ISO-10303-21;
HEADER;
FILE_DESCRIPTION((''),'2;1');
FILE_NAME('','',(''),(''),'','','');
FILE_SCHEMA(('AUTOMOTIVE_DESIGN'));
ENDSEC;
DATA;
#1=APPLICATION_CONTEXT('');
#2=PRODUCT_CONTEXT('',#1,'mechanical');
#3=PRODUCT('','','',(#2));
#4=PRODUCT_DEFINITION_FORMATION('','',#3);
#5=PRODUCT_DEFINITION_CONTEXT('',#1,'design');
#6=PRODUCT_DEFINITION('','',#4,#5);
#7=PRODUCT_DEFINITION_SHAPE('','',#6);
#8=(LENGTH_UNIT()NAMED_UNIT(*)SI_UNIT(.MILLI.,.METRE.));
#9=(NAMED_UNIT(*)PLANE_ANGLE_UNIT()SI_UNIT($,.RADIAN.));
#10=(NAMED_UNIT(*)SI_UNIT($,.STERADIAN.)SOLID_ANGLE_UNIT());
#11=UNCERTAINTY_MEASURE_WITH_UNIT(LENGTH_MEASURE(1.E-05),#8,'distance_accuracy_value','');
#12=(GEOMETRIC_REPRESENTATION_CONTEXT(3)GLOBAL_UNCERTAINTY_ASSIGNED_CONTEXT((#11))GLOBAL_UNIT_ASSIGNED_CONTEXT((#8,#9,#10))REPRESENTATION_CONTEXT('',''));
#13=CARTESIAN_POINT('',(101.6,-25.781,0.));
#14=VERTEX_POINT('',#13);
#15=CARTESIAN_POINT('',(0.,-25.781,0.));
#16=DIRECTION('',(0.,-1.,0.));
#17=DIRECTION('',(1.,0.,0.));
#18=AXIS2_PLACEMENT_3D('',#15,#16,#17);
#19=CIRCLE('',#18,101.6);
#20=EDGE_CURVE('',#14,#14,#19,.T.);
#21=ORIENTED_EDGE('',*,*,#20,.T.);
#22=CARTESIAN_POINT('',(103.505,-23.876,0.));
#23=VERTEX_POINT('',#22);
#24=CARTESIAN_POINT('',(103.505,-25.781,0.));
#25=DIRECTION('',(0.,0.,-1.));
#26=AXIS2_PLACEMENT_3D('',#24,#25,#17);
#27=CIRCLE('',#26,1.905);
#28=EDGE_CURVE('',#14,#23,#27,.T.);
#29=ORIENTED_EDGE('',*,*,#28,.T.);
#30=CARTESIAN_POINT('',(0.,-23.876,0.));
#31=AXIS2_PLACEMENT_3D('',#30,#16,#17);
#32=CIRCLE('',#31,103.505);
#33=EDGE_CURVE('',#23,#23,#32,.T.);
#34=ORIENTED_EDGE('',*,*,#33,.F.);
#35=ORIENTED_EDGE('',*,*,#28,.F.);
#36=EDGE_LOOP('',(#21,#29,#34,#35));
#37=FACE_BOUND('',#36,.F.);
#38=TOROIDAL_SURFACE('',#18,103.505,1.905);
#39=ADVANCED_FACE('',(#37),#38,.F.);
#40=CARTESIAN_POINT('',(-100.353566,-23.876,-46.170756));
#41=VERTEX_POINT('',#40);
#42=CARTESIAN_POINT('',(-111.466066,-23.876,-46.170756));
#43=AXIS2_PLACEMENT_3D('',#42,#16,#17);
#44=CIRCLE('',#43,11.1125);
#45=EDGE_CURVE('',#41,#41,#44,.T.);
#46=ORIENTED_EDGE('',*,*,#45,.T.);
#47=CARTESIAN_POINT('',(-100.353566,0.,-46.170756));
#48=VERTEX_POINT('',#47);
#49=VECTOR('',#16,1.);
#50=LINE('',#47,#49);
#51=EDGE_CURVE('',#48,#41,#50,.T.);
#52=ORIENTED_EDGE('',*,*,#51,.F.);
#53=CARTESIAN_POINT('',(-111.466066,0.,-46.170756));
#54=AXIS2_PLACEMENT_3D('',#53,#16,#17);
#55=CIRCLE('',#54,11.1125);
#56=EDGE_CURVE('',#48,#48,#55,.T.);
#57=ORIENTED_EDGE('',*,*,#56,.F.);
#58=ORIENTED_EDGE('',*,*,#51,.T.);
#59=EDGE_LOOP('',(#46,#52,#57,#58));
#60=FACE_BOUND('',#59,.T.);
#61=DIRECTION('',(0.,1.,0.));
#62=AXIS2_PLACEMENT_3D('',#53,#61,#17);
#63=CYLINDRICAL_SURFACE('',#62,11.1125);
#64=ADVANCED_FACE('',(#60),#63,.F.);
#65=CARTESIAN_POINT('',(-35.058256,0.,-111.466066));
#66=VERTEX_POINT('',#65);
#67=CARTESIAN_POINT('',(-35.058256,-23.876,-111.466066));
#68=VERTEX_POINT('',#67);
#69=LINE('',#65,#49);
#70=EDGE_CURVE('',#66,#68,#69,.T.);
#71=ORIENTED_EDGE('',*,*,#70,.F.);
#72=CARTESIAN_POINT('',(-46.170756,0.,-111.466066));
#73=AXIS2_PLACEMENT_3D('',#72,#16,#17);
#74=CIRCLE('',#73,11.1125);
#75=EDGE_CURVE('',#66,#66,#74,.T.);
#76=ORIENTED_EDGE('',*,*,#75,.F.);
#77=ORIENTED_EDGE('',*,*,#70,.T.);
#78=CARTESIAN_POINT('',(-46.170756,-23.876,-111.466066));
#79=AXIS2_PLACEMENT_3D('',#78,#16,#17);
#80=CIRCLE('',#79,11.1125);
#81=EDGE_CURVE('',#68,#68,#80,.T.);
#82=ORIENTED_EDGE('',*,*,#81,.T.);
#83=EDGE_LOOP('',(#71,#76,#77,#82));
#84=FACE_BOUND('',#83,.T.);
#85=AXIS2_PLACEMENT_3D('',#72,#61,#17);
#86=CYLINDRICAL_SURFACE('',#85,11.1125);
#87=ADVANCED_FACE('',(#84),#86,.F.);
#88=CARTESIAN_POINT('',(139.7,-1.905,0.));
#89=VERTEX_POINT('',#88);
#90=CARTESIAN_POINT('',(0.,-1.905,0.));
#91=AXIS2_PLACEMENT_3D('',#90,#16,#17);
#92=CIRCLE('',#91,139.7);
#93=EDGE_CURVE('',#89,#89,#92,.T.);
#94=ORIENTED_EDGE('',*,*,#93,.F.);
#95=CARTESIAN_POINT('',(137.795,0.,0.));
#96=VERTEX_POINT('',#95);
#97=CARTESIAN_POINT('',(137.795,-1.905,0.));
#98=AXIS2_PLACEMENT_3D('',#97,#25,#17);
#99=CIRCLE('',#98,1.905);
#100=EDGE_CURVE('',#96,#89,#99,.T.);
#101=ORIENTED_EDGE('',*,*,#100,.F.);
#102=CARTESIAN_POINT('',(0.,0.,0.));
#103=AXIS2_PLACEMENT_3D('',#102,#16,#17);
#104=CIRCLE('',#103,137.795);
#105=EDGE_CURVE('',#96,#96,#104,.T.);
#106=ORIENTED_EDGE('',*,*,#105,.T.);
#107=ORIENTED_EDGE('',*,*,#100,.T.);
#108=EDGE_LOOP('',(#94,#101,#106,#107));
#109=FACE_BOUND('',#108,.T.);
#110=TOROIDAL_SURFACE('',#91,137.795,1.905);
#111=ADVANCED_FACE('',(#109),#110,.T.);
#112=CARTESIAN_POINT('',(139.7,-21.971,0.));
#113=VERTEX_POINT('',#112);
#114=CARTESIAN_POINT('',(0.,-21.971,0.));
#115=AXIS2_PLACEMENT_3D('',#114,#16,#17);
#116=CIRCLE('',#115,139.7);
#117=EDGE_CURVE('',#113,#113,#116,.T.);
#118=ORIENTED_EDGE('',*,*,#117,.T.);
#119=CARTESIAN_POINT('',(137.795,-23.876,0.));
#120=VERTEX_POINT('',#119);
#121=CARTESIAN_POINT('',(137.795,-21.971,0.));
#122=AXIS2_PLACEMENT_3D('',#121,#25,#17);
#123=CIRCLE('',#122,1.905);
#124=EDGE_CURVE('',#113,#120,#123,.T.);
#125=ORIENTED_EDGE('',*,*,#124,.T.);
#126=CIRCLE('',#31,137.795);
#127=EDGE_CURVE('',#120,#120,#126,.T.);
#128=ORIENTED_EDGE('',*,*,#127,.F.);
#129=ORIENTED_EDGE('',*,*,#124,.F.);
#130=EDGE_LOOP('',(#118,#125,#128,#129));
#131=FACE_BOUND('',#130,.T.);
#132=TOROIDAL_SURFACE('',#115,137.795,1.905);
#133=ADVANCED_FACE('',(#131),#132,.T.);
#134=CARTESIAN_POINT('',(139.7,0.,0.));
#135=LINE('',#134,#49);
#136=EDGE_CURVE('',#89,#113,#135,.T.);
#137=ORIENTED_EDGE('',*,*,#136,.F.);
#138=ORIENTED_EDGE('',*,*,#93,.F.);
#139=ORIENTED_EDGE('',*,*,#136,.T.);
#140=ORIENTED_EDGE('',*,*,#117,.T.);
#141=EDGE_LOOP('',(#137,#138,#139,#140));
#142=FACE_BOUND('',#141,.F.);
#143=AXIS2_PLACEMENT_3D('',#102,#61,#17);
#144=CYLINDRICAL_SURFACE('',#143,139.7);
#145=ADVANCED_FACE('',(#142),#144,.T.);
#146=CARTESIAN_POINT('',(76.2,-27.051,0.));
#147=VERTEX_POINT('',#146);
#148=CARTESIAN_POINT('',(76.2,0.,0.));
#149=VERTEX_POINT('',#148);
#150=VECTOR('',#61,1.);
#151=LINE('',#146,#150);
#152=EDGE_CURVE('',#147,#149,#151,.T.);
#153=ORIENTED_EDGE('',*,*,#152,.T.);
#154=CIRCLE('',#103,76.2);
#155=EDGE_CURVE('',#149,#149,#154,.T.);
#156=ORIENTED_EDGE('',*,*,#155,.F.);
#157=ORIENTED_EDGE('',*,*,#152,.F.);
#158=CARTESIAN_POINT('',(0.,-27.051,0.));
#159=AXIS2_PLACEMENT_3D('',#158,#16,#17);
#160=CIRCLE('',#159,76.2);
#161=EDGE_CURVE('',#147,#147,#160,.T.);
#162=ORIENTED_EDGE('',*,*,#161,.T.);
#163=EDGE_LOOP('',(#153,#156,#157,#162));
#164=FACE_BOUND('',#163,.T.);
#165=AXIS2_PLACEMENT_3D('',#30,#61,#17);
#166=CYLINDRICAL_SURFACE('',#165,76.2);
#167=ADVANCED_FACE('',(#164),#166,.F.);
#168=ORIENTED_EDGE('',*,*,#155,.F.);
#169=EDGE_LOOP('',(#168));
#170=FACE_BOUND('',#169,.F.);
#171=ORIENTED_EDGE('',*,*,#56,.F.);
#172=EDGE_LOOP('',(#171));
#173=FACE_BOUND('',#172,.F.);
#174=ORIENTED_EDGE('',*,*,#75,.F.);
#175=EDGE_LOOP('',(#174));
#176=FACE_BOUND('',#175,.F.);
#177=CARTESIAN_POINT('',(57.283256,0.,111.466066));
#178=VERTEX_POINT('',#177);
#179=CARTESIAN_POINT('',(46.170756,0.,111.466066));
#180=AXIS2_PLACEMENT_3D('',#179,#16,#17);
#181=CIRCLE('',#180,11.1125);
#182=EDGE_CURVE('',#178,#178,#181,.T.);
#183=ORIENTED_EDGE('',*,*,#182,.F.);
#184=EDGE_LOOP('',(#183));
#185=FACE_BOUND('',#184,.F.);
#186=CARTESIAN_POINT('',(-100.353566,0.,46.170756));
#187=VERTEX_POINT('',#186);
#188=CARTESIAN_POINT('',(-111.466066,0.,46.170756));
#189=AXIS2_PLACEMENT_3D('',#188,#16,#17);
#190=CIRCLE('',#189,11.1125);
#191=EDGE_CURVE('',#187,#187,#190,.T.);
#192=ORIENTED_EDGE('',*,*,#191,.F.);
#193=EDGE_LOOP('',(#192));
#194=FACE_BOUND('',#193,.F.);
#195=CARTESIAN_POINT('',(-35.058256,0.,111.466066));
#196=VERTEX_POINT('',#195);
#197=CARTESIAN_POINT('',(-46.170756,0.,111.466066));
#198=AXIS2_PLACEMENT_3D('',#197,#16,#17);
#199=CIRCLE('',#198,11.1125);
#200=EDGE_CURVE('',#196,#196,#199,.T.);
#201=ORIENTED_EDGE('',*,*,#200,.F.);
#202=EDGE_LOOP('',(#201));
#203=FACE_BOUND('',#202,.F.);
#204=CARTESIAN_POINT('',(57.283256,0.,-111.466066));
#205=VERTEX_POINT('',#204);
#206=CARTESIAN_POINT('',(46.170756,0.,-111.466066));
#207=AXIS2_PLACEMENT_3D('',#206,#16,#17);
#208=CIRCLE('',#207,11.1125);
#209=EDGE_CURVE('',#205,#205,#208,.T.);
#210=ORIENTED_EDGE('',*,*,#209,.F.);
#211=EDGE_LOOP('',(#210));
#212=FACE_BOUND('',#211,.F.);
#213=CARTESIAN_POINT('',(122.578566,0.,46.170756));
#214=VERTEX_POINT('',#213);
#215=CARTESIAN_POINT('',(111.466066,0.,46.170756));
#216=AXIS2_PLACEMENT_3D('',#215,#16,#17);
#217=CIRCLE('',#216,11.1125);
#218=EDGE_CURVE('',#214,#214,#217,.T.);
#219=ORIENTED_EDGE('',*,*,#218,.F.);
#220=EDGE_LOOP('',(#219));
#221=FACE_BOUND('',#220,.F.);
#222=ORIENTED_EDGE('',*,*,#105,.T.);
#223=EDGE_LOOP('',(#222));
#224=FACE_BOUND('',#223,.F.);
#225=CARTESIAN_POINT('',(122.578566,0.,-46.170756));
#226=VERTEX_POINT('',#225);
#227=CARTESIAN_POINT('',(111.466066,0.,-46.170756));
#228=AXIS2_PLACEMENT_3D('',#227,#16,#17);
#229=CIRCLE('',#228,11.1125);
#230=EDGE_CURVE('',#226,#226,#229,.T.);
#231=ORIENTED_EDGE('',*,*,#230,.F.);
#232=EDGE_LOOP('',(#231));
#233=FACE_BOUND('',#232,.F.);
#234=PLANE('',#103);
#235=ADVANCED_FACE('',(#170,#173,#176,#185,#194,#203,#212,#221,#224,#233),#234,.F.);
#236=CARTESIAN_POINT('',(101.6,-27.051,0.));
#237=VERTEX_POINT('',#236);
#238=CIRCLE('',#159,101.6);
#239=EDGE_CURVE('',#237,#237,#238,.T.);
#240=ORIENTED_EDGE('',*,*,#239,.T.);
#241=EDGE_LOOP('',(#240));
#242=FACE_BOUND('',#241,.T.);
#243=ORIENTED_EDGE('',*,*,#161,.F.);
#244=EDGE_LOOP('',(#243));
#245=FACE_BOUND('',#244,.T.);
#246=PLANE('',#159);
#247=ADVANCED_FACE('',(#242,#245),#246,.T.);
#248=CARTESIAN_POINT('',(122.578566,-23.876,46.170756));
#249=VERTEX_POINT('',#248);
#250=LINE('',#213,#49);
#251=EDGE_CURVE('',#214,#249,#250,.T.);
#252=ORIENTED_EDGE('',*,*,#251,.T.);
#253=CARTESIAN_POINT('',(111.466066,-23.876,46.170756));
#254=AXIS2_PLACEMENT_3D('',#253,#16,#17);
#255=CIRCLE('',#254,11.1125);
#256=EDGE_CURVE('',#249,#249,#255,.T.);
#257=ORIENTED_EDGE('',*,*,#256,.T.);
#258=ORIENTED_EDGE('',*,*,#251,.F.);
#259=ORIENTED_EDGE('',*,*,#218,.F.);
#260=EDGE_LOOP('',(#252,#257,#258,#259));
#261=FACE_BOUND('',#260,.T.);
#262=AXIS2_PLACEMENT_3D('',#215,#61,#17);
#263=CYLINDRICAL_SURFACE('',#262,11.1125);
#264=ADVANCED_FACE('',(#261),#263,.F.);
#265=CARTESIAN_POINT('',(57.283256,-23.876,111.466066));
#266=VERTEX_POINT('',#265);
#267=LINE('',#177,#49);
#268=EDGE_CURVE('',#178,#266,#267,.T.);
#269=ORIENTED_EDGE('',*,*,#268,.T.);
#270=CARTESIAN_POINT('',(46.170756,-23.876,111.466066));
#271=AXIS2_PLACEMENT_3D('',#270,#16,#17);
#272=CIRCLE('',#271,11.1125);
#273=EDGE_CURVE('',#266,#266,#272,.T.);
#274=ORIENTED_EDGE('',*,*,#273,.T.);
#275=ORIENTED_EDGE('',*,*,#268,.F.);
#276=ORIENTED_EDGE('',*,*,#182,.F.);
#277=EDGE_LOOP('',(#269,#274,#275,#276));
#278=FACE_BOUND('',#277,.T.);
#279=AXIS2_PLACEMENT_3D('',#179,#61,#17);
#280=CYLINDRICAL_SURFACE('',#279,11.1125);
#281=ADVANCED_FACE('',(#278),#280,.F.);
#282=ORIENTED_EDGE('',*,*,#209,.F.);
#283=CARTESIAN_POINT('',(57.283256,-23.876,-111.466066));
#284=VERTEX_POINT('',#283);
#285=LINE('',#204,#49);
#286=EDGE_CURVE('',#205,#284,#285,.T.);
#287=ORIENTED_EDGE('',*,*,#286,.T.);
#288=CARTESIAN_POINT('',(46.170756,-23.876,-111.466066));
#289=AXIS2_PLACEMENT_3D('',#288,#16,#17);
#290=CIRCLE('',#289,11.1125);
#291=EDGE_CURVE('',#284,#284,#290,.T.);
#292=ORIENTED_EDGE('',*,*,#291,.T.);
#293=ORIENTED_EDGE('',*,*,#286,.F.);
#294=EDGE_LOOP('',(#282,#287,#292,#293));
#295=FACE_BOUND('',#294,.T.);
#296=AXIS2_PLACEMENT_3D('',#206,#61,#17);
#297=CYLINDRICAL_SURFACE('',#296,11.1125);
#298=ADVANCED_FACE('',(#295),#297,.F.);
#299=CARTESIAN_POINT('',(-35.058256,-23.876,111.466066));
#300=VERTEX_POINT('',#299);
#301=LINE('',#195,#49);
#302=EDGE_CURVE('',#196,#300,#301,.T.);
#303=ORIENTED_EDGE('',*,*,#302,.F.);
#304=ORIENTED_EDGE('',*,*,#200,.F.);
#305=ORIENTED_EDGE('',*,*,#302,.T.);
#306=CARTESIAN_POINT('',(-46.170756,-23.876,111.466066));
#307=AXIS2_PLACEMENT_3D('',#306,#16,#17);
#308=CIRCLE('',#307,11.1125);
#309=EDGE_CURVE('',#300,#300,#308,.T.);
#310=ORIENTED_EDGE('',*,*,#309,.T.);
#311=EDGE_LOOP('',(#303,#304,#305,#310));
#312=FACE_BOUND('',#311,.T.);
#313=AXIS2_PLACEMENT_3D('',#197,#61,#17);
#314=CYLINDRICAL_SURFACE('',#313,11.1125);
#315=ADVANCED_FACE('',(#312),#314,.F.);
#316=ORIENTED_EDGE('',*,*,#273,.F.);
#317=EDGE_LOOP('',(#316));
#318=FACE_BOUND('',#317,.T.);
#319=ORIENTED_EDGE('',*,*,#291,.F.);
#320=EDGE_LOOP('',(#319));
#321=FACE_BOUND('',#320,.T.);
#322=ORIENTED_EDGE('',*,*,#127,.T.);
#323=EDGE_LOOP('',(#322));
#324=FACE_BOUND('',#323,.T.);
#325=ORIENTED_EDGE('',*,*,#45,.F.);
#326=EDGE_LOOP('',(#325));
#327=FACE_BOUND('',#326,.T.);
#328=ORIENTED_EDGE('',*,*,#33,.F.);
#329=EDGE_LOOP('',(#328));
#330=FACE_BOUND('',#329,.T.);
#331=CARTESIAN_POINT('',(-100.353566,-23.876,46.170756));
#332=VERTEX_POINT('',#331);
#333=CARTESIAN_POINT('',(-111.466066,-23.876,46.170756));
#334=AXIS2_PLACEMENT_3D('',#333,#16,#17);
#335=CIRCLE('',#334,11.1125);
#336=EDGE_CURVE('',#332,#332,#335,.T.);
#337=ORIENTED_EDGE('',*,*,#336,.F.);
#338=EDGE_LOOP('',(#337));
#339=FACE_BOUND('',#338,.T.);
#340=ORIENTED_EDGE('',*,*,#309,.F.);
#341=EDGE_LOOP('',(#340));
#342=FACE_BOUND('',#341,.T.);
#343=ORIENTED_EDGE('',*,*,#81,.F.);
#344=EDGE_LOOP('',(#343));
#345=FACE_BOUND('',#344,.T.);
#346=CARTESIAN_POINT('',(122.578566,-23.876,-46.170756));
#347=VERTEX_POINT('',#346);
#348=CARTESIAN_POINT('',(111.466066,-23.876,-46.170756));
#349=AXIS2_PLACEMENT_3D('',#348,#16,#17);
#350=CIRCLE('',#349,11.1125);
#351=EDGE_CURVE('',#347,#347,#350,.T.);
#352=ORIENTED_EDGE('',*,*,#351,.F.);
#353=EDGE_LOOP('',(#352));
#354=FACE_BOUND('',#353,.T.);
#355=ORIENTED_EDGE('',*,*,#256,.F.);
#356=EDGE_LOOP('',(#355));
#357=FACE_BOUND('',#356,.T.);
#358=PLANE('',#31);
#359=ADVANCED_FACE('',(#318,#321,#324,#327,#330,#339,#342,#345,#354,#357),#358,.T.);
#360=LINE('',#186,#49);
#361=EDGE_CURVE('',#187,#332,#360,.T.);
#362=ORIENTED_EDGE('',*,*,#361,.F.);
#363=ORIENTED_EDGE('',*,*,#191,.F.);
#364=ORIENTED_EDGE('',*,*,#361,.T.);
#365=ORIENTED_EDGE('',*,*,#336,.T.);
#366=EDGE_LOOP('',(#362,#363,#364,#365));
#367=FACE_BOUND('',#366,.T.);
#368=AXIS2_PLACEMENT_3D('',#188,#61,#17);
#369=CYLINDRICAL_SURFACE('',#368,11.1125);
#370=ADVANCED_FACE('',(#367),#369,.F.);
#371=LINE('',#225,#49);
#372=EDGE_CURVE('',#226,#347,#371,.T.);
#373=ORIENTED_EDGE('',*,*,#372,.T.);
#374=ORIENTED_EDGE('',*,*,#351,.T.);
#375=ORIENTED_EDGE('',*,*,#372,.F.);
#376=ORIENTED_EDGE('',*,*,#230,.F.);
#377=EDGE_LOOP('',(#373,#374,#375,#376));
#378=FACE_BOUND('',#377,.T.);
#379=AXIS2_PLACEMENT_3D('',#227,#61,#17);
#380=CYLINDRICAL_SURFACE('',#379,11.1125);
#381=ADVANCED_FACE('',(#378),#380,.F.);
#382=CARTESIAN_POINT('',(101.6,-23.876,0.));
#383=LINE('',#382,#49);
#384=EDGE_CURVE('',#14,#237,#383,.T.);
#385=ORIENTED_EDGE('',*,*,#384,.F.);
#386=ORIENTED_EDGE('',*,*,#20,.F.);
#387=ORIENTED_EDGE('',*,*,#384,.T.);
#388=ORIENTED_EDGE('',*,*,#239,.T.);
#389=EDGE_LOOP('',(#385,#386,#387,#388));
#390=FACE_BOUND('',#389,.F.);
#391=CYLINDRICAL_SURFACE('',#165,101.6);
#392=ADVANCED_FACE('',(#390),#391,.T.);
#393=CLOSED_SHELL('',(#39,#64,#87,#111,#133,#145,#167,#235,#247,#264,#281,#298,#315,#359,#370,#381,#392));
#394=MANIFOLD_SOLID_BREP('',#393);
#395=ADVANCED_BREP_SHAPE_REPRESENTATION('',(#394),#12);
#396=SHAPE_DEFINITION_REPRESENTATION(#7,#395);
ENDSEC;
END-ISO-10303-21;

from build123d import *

# Parameters (mm, degrees)
F0_R     = 139.7
F0_R_2   = 11.1125
F0_R_3   = 76.2
F1_DEPTH = 23.876
F2_R     = 101.6
F2_R_2   = 76.2
F3_DEPTH = 3.175
F4_R     = 1.905


with BuildPart() as f1:
    # F0 (on Front) → F1 (new body)
    with BuildSketch(Plane.XZ):
        Circle(F0_R)
        with Locations((-46.170756, -111.466066)):
            Circle(F0_R_2, mode=Mode.SUBTRACT)
        with Locations((-111.466066, -46.170756)):
            Circle(F0_R_2, mode=Mode.SUBTRACT)
        with Locations((46.170756, -111.466066)):
            Circle(F0_R_2, mode=Mode.SUBTRACT)
        with Locations((111.466066, -46.170756)):
            Circle(F0_R_2, mode=Mode.SUBTRACT)
        with Locations((-111.466066, 46.170756)):
            Circle(F0_R_2, mode=Mode.SUBTRACT)
        with Locations((-46.170756, 111.466066)):
            Circle(F0_R_2, mode=Mode.SUBTRACT)
        Circle(F0_R_3, mode=Mode.SUBTRACT)
        with Locations((111.466066, 46.170756)):
            Circle(F0_R_2, mode=Mode.SUBTRACT)
        with Locations((46.170756, 111.466066)):
            Circle(F0_R_2, mode=Mode.SUBTRACT)
    extrude(amount=F1_DEPTH)

    # F2 (on face) → F3 (join)
    with BuildSketch(Plane.XZ.offset(23.876)):
        Circle(F2_R)
        Circle(F2_R_2, mode=Mode.SUBTRACT)
    extrude(amount=F3_DEPTH)

    # F4
    f4_edges = [f1.edges().sort_by_distance(p)[0] for p in [
        (-139.7, 0, 0),
        (-139.7, -23.876, 0),
        (-101.6, -23.876, 0),
    ]]
    fillet(f4_edges, radius=F4_R)


solid = f1.part
